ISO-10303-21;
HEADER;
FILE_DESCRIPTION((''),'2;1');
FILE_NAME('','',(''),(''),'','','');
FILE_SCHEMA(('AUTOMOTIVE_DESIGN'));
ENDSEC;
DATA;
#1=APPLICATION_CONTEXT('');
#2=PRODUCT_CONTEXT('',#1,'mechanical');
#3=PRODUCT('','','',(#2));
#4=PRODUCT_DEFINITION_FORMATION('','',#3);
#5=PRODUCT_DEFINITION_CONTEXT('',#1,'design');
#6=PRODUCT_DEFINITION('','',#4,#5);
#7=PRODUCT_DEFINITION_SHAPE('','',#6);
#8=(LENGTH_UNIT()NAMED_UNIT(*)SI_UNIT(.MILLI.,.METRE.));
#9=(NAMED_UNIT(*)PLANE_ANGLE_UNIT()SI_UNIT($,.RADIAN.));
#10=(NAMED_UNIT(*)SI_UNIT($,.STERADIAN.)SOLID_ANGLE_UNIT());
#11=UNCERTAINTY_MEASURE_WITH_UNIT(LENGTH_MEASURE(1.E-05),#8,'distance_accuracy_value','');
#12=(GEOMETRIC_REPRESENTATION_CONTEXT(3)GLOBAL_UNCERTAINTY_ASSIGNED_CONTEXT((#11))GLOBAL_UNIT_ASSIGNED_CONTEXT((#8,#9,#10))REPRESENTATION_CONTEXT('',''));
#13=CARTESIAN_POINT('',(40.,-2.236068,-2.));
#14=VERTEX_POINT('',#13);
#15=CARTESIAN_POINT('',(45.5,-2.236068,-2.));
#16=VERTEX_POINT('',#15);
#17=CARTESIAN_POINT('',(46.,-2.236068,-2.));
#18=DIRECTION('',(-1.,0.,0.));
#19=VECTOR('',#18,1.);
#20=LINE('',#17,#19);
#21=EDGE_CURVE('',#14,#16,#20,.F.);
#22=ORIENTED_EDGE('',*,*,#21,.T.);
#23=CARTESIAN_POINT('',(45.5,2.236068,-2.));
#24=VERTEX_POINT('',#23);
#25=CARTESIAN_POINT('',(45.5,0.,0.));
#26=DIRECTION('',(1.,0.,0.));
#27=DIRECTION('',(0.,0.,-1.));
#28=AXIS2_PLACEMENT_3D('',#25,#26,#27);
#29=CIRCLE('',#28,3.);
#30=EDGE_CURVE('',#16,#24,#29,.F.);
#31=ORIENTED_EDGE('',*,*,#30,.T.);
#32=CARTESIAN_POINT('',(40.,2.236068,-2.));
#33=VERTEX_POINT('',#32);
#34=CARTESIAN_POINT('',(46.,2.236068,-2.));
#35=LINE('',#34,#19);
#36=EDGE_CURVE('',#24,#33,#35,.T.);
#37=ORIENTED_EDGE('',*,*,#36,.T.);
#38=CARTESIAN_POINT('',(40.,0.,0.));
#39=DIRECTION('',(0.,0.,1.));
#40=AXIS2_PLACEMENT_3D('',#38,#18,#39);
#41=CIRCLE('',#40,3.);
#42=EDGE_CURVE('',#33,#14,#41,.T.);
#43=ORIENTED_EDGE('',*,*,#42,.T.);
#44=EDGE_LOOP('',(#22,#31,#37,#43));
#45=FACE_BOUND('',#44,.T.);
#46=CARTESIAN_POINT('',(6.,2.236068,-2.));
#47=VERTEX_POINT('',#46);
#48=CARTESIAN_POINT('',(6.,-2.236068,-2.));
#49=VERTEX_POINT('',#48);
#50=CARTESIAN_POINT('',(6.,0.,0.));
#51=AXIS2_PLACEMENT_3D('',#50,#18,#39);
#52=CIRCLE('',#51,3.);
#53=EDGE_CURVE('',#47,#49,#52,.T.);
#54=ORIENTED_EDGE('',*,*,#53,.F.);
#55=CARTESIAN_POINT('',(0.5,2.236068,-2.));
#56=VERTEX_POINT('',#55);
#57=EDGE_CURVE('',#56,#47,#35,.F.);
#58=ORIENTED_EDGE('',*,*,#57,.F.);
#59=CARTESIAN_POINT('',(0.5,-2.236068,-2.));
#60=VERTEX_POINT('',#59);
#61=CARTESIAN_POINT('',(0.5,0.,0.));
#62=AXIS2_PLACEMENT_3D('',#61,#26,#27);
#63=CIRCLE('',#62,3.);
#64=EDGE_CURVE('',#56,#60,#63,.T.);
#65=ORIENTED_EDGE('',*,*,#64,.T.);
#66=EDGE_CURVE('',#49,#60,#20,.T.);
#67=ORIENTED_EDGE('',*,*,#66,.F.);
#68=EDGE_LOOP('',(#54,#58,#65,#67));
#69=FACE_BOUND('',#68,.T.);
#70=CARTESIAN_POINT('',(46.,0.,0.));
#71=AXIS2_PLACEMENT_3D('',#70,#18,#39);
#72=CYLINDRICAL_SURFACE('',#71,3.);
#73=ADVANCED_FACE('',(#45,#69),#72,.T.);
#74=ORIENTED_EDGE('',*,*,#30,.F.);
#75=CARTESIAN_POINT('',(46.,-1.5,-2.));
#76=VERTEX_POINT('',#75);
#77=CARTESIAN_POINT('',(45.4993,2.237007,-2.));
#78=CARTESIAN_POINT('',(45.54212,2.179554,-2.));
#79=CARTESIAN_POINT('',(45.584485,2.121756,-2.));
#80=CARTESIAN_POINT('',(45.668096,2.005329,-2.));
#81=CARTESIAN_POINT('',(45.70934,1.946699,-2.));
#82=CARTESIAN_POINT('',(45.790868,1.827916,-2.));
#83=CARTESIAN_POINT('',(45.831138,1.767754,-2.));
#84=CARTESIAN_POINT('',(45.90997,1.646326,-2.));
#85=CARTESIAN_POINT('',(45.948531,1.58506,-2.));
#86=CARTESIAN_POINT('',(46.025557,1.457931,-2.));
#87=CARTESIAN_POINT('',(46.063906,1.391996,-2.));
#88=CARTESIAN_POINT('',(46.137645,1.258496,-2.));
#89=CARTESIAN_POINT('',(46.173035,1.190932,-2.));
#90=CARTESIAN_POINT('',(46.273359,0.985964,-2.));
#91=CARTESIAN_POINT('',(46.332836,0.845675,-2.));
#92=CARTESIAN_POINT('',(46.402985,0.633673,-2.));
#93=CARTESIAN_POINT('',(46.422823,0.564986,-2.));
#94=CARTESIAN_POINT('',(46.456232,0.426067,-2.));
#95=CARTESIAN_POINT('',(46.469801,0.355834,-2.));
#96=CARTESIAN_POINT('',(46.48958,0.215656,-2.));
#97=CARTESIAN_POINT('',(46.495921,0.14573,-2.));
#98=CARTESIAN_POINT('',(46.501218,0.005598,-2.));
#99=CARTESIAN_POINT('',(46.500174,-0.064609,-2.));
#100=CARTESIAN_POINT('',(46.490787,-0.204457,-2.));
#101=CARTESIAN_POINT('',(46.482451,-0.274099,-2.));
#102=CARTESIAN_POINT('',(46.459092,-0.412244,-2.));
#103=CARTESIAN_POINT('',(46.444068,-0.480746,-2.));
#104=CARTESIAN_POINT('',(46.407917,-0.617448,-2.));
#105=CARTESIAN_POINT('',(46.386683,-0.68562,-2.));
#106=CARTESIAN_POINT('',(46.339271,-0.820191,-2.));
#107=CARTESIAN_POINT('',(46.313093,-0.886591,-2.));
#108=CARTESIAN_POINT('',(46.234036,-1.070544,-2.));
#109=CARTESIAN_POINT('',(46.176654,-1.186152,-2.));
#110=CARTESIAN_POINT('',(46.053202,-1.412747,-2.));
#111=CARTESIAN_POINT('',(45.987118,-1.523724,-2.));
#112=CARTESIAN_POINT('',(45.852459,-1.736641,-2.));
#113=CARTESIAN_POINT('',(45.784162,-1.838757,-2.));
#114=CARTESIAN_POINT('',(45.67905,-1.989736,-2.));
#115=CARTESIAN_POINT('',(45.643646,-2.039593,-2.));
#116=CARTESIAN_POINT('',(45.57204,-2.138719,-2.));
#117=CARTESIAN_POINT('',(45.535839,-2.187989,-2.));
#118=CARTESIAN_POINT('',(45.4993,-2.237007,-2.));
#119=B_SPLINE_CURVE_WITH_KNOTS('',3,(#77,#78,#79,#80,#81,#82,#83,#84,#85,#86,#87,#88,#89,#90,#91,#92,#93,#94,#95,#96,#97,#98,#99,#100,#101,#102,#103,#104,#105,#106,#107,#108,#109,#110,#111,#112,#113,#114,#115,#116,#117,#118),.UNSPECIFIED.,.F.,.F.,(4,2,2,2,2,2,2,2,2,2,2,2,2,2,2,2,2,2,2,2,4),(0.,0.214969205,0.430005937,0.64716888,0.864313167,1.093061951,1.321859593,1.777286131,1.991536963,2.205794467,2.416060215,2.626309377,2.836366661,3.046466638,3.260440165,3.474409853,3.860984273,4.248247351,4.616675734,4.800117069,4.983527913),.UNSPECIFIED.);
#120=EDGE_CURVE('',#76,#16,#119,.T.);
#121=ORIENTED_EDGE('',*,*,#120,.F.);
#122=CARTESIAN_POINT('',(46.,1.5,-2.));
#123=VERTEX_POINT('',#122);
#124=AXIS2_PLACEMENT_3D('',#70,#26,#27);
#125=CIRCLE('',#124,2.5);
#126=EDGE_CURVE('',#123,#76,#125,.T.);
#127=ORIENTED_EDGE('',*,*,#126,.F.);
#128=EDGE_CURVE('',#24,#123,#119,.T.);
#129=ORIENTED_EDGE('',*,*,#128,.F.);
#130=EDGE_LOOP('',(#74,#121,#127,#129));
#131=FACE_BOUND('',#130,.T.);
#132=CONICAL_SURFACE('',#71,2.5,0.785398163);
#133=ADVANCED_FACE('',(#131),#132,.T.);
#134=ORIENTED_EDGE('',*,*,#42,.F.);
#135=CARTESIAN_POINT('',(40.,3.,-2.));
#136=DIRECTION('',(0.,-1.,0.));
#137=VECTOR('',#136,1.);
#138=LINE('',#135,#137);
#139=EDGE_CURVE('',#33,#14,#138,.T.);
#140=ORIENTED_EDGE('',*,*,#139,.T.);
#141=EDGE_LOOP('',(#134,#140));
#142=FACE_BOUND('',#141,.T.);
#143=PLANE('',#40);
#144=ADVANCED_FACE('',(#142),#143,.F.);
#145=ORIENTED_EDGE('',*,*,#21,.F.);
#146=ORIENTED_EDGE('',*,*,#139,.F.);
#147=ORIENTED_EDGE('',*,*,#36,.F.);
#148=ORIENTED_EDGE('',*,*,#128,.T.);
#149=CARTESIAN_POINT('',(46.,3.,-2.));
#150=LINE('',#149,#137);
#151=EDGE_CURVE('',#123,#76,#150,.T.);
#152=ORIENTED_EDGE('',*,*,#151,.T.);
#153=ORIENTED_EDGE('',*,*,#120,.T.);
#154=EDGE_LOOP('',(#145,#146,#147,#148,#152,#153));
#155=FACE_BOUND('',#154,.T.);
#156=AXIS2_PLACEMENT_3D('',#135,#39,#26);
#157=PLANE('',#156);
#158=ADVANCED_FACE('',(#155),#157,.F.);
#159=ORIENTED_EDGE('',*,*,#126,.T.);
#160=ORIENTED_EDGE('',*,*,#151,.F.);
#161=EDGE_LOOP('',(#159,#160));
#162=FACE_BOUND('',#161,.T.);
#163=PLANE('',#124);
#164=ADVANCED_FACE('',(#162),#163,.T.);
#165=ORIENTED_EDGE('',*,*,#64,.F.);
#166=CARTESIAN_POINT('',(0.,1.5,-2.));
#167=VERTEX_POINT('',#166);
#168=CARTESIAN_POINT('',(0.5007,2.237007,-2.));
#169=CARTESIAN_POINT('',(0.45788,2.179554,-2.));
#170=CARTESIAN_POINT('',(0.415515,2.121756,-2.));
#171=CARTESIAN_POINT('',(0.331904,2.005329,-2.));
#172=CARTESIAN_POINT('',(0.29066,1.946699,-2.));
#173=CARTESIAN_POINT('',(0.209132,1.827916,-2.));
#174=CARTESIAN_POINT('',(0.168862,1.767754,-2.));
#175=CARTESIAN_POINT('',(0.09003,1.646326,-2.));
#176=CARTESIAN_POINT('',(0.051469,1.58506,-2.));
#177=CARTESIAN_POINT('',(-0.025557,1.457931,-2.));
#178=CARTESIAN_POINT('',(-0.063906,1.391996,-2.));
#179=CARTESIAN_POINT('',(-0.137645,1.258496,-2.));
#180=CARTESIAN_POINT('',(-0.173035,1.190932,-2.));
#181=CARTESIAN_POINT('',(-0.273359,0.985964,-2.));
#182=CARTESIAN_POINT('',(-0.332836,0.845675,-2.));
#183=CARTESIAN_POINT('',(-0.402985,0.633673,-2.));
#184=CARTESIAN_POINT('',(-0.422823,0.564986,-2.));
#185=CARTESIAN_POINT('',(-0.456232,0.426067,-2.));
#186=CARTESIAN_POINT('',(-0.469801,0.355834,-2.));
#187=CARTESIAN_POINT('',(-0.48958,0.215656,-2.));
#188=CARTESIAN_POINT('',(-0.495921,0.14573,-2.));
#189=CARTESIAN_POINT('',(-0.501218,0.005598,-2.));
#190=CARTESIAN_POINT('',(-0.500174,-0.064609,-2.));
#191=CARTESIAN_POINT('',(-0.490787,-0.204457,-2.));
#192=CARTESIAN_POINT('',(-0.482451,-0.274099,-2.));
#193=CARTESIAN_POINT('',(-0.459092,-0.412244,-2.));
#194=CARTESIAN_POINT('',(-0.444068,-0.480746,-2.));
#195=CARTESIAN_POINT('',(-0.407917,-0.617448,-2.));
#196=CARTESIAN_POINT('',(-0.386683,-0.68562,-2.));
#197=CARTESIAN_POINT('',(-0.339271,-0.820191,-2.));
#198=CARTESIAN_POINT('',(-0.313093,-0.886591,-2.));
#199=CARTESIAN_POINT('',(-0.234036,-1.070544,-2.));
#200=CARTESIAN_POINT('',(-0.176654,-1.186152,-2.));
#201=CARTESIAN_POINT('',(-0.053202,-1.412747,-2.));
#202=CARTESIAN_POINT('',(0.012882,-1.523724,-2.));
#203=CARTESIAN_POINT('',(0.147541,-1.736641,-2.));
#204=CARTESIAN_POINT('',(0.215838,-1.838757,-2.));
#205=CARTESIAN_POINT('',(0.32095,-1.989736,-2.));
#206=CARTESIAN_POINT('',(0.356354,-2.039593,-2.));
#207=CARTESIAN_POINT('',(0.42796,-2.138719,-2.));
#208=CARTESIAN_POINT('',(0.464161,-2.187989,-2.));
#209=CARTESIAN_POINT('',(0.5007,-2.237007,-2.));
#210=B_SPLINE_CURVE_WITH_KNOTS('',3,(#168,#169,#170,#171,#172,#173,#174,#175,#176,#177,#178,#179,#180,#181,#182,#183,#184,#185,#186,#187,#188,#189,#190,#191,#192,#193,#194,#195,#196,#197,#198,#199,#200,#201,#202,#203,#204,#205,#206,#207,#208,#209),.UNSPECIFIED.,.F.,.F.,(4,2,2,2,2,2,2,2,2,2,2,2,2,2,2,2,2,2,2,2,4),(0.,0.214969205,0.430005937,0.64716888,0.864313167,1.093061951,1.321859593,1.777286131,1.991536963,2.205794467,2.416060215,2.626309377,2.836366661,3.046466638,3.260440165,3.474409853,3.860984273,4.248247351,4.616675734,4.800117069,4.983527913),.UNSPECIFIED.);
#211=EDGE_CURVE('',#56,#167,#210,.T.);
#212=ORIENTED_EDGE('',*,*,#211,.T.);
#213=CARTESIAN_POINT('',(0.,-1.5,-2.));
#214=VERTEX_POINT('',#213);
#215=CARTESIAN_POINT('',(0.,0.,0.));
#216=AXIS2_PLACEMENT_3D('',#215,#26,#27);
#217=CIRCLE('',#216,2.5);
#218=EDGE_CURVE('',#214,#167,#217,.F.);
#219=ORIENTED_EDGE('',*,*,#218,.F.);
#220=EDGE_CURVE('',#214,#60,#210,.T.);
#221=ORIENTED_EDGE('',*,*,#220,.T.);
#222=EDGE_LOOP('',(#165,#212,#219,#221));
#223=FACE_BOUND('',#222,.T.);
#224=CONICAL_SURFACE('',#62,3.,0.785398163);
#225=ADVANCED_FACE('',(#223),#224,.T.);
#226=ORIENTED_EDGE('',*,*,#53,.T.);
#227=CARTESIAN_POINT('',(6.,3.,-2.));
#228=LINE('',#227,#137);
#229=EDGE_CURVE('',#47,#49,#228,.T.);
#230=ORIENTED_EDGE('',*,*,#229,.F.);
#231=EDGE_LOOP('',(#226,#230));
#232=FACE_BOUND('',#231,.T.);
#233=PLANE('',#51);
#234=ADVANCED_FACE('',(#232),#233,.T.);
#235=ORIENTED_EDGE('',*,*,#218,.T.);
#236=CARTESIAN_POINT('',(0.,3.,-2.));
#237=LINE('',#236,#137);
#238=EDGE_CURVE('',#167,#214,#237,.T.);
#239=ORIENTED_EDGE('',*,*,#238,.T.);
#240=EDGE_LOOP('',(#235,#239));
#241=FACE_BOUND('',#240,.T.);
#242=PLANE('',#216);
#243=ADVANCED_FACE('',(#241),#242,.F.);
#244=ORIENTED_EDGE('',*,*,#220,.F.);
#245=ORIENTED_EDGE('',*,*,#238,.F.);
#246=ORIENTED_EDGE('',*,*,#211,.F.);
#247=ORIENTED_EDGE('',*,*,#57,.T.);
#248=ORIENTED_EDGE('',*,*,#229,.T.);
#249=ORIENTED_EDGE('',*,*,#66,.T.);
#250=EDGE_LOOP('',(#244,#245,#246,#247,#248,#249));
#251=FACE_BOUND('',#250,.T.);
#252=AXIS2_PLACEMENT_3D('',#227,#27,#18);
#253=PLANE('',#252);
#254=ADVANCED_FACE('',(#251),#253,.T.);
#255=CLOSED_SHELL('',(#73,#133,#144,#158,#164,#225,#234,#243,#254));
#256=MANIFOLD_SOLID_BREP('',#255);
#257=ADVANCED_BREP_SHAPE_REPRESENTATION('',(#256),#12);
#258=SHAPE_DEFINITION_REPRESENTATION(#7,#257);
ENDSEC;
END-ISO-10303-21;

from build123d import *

# Parameters (mm, degrees)
SKETCH1_R           = 3
BOSS_EXTRUDE1_DEPTH = 46
CHAMFER1_SIZE       = 0.5
SKETCH2_W           = 1
SKETCH2_H           = 6
CUT_EXTRUDE1_DEPTH  = 6
CUT_EXTRUDE2_START  = -46
SKETCH2_3_W         = 1
SKETCH2_3_H         = 6
CUT_EXTRUDE2_DEPTH  = 6


with BuildPart() as part:
    # Sketch1 → Boss-Extrude1 (new body)
    with BuildSketch(Plane(origin=(0, 0, 0), x_dir=(0, 0, -1), z_dir=(1, 0, 0))):
        Circle(SKETCH1_R)
    extrude(amount=BOSS_EXTRUDE1_DEPTH)

    # Chamfer1
    chamfer1_edges = [part.edges().sort_by_distance(p)[0] for p in [
        (0, 0, 3),
        (46, 0, 3),
    ]]
    chamfer(chamfer1_edges, length=CHAMFER1_SIZE)

    # Sketch2 → Cut-Extrude1 (cut)
    with BuildSketch(Plane(origin=(46, 0, 0), x_dir=(0, 0, -1), z_dir=(1, 0, 0))):
        with Locations((2.5, 0)):
            Rectangle(SKETCH2_W, SKETCH2_H)
    extrude(amount=-CUT_EXTRUDE1_DEPTH, mode=Mode.SUBTRACT)

    # Sketch2<3> → Cut-Extrude2 (cut)
    with BuildSketch(Plane(origin=(46, 0, 0), x_dir=(0, 0, -1), z_dir=(1, 0, 0)).offset(CUT_EXTRUDE2_START)):
        with Locations((2.5, 0)):
            Rectangle(SKETCH2_3_W, SKETCH2_3_H)
    extrude(amount=CUT_EXTRUDE2_DEPTH, mode=Mode.SUBTRACT)


solid = part.part
